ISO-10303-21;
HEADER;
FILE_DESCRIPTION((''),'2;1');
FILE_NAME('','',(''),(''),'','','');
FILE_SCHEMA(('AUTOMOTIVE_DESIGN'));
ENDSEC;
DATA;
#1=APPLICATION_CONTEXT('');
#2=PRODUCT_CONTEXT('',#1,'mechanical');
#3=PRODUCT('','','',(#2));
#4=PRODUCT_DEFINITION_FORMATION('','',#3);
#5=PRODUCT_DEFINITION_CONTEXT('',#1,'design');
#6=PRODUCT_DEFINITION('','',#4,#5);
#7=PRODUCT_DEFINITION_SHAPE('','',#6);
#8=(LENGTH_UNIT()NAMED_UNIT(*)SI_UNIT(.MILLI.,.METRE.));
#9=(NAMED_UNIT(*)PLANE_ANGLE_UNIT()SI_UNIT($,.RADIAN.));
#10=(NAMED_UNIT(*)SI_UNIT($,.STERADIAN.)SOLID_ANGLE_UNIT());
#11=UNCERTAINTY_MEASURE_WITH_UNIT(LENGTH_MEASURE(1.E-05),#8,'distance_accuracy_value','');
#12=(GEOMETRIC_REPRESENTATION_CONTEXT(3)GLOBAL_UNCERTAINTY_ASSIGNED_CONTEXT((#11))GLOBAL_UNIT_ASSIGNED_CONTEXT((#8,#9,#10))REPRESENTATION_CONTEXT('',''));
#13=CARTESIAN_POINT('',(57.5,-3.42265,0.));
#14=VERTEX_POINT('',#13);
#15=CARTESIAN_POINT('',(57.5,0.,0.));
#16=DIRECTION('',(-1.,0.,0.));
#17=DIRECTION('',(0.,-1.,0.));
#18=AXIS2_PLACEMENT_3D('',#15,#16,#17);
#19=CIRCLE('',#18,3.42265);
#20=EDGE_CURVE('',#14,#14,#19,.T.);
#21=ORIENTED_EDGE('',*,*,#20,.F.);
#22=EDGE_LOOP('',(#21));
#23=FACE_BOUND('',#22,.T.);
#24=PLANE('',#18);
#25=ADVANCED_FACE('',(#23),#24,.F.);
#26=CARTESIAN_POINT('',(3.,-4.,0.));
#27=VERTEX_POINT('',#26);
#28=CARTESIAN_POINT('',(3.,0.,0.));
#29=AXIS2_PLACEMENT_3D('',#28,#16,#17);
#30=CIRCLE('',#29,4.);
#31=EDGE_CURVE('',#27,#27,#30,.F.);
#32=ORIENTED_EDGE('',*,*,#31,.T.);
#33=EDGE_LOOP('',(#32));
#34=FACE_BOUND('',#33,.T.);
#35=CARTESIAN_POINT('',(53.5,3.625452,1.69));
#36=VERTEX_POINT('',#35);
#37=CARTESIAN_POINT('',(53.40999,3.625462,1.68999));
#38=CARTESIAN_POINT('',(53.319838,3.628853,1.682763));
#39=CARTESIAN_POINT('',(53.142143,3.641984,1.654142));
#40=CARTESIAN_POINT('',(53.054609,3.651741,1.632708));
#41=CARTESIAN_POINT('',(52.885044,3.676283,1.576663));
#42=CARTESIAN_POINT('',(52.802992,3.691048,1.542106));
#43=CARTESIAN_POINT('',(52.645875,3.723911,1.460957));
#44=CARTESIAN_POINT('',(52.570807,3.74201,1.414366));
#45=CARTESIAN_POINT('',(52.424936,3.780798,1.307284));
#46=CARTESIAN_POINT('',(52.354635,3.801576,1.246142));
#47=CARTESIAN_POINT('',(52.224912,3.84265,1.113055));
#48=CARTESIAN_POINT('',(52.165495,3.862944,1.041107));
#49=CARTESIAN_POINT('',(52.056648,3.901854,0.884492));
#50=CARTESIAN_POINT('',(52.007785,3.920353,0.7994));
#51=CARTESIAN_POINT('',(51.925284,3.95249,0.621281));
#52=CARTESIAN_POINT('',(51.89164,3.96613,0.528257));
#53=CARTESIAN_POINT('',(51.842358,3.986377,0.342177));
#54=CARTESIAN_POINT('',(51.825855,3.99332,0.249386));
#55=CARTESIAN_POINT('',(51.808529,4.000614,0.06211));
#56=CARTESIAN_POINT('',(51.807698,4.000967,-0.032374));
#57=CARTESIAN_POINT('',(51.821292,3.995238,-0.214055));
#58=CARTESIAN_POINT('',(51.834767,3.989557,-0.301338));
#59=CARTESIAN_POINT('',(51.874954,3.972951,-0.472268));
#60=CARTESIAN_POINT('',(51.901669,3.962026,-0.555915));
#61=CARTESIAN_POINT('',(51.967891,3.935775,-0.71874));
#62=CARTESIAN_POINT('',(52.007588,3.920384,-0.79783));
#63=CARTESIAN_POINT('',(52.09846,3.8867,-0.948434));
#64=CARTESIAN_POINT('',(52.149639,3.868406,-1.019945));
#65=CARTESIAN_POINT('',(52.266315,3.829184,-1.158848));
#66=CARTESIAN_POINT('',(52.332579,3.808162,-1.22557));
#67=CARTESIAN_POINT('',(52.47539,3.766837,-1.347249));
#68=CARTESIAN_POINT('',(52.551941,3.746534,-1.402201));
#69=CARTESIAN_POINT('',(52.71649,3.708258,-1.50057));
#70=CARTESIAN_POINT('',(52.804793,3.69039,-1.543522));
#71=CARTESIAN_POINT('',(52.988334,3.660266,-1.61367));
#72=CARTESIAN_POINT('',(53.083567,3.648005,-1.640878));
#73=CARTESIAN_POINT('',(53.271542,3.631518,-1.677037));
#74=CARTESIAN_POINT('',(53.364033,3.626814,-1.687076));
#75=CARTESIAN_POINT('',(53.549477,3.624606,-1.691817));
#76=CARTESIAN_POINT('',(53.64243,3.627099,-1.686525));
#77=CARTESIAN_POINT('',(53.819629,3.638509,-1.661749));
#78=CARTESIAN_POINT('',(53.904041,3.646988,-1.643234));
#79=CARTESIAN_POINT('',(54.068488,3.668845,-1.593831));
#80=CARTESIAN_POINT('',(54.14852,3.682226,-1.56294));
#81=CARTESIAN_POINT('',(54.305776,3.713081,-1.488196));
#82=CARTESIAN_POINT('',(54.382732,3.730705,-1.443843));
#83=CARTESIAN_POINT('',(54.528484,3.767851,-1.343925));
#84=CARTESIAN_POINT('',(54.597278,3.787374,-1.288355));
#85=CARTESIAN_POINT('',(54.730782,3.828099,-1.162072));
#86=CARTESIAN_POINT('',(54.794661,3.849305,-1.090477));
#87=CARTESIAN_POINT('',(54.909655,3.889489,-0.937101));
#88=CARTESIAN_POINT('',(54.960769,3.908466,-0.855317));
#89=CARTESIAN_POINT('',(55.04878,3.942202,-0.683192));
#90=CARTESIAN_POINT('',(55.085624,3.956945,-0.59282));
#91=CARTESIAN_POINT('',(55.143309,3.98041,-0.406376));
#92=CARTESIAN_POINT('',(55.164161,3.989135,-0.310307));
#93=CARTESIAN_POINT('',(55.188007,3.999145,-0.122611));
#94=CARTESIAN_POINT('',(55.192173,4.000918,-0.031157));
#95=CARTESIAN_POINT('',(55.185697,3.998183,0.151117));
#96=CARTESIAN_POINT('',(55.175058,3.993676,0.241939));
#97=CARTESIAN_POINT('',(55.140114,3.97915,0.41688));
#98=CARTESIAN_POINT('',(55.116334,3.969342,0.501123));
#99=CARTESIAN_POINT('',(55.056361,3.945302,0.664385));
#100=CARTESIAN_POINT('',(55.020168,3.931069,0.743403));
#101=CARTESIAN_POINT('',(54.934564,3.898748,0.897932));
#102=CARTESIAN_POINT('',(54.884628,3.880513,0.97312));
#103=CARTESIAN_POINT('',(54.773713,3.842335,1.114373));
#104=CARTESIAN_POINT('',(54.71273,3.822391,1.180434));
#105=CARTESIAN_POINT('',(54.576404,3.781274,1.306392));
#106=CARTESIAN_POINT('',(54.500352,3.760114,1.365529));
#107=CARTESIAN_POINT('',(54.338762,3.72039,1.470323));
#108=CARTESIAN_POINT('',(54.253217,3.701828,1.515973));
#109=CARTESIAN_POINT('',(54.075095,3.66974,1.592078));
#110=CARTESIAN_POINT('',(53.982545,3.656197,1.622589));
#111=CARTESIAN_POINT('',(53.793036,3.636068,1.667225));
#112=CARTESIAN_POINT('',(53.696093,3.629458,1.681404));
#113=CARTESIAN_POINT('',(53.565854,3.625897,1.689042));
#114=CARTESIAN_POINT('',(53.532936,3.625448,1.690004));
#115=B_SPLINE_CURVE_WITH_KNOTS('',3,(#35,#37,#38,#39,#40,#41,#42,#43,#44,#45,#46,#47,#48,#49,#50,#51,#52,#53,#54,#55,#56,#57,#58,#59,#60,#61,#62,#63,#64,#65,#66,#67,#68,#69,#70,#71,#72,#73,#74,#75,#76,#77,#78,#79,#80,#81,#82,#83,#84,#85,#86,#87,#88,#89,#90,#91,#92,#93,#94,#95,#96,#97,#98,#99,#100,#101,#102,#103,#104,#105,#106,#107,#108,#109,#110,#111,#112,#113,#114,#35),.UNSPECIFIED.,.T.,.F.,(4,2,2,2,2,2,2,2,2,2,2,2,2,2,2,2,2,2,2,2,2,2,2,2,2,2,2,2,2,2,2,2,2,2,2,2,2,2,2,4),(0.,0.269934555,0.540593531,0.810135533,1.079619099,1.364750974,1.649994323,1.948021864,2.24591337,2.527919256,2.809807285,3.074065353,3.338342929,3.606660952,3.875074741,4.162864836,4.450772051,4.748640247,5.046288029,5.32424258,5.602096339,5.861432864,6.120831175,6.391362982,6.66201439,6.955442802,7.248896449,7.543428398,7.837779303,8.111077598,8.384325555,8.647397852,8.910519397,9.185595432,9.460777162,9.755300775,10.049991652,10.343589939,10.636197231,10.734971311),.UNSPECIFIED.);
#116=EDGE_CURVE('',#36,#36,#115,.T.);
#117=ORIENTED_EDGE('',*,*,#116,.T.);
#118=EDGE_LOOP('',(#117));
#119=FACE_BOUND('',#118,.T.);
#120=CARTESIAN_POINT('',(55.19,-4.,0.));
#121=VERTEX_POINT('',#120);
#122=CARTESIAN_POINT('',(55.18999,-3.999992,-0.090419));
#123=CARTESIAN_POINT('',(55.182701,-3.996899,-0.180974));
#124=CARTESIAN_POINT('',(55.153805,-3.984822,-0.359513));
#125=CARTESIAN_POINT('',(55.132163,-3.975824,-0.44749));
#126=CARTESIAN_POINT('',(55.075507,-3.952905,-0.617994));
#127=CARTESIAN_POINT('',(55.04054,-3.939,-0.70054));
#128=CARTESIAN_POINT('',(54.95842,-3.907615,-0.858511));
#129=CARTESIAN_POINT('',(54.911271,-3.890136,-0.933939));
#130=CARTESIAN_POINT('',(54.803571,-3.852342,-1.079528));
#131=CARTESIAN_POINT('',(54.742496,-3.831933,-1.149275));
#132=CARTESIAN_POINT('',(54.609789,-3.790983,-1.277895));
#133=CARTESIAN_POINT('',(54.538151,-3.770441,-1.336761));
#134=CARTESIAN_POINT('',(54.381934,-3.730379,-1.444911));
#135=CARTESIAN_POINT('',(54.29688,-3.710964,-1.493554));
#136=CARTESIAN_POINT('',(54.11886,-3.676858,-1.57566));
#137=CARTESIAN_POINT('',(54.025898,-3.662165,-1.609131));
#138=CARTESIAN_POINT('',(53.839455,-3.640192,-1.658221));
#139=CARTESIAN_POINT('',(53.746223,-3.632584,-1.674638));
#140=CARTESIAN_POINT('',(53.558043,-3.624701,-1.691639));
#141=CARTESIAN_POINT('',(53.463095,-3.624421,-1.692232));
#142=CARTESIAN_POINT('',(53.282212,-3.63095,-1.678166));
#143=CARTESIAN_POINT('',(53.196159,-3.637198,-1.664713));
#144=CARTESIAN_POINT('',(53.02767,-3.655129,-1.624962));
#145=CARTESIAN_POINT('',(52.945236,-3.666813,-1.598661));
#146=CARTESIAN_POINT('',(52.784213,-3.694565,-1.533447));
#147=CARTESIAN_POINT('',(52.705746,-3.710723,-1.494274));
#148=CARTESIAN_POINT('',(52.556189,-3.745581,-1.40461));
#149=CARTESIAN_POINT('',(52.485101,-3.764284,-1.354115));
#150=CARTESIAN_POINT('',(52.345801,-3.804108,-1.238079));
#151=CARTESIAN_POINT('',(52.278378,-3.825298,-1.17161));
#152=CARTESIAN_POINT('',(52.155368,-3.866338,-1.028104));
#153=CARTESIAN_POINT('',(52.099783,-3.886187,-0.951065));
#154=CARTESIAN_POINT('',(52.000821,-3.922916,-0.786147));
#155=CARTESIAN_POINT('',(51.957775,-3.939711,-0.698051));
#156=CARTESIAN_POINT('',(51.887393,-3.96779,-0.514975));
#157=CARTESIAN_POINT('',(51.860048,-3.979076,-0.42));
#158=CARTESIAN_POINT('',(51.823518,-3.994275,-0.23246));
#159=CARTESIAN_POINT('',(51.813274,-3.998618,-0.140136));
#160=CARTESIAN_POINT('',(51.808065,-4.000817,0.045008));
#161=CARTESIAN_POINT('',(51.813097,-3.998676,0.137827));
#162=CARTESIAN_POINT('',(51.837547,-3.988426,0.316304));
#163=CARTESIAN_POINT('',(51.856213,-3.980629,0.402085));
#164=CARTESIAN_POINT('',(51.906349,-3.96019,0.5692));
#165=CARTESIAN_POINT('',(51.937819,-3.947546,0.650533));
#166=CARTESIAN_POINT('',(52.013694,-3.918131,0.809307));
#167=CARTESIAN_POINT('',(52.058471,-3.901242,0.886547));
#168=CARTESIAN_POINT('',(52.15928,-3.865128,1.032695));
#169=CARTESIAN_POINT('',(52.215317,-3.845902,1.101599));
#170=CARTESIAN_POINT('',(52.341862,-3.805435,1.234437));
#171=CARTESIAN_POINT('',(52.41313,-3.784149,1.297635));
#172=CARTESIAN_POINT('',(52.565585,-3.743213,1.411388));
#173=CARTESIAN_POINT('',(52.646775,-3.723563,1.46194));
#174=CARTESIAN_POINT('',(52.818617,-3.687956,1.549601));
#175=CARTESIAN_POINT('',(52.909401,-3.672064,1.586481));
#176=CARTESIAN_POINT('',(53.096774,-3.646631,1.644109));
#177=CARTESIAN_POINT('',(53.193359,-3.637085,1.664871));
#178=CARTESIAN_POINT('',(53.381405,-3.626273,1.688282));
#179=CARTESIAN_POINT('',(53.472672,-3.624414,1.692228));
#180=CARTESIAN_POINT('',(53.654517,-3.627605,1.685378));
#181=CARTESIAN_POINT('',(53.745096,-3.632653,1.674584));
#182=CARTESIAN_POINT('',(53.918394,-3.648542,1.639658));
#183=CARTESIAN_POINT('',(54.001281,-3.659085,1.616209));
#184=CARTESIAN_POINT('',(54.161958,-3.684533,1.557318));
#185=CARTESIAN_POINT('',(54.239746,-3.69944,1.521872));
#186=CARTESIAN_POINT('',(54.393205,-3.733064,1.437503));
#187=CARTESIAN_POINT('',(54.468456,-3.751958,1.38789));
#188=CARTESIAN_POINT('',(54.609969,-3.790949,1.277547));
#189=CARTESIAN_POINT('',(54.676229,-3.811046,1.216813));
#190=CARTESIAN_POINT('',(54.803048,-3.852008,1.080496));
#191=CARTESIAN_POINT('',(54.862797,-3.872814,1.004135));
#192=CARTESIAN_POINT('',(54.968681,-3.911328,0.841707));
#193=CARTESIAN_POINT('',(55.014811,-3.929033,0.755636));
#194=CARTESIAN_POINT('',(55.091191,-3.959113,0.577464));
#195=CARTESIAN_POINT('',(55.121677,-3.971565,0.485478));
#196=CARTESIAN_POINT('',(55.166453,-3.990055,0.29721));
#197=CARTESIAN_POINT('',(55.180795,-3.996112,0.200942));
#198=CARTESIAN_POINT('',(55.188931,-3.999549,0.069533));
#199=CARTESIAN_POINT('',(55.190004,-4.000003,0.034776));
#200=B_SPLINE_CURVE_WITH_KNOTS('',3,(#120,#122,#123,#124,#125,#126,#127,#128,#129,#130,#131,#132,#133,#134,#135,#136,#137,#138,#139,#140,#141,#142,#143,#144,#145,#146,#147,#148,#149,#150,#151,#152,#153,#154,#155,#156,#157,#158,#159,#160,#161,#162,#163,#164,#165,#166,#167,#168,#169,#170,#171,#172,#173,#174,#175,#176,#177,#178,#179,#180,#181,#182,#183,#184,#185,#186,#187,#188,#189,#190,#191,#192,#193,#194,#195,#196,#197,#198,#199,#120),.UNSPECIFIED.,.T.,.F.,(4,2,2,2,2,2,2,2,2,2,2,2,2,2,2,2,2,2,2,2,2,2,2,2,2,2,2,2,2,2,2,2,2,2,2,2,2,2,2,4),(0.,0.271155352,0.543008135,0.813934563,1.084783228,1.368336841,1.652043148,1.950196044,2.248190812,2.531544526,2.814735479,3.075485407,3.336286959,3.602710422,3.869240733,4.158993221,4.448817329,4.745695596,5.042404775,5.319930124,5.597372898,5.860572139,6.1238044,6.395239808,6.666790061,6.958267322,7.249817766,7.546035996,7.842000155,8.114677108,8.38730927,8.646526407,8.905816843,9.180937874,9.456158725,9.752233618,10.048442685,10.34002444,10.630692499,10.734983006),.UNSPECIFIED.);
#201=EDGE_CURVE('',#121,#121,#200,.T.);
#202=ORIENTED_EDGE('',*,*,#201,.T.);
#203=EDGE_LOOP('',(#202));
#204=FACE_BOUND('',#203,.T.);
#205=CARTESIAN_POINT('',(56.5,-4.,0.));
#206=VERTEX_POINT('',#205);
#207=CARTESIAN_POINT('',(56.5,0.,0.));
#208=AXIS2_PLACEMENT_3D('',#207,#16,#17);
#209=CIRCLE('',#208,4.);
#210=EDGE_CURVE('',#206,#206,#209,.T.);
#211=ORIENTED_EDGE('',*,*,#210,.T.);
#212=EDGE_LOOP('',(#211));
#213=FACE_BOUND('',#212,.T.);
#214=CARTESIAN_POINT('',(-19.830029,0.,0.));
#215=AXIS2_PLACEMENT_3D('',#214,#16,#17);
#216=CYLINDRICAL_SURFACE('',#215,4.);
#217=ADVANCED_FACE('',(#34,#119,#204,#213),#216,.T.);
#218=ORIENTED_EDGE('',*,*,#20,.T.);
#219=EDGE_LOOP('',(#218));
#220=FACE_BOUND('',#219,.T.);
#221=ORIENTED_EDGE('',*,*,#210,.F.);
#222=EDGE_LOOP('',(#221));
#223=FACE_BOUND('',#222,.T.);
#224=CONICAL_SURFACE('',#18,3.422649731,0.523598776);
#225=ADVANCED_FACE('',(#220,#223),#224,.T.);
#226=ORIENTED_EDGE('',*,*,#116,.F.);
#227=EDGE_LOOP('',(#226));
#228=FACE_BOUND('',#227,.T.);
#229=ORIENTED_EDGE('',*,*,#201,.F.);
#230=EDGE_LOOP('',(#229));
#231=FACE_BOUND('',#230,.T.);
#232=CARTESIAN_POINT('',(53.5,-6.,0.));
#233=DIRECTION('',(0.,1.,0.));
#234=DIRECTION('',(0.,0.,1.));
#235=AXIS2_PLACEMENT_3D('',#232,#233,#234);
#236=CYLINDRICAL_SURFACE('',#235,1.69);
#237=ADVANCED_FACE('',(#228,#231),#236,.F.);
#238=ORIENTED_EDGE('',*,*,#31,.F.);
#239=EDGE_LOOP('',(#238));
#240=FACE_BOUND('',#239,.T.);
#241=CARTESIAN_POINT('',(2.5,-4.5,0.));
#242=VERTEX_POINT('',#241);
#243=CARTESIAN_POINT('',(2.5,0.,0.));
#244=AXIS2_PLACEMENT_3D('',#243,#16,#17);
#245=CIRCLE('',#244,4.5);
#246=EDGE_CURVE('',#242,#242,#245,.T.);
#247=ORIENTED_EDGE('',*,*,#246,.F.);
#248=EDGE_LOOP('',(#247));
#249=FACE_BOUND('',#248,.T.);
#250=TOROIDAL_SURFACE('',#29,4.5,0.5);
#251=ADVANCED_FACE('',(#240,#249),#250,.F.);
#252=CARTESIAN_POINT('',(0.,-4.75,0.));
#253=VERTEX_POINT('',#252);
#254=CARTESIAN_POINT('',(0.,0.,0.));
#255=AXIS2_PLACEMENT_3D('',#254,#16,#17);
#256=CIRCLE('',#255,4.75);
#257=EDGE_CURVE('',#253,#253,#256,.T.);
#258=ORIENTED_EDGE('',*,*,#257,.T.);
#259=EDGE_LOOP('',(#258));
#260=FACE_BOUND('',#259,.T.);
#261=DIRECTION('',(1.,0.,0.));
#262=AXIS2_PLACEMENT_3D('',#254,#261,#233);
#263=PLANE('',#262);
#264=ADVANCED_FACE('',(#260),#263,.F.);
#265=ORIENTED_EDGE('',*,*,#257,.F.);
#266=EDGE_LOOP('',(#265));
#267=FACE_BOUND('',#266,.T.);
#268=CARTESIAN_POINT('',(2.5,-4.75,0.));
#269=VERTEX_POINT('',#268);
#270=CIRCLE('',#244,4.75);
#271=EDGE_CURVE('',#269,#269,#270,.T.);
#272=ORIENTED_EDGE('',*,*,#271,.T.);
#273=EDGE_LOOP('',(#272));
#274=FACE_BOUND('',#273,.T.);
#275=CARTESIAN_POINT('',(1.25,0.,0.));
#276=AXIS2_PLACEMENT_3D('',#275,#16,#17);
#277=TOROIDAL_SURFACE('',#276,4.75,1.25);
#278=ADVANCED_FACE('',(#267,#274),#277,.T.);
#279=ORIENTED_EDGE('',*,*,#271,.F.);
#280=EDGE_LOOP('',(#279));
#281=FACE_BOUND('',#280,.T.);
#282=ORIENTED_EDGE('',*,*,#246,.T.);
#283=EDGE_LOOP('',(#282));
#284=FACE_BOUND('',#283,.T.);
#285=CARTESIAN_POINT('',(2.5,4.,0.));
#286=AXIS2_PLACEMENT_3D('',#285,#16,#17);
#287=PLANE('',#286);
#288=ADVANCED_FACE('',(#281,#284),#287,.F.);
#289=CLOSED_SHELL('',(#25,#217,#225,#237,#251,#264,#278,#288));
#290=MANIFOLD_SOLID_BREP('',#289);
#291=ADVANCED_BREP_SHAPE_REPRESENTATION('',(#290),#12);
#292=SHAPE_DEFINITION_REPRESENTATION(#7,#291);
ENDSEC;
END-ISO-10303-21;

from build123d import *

# Parameters (mm, degrees)
CHAMFER1_R      = 0.5
HOLE_DEPTH      = 59.122715029
HOLE_DEPTH_BACK = 59.122715029
SKETCH2_R       = 1.69


with BuildPart() as part:
    # Sketch1 → BaseBody (revolve)
    with BuildSketch(Plane.XY, mode=Mode.PRIVATE) as basebody_sk:
        with BuildLine():
            Line((57.5, 0), (0, 0))
            Line((0, 0), (0, 4.75))
            ThreePointArc((0, 4.75), (1.25, 6), (2.5, 4.75))
            Line((2.5, 4.75), (2.5, 4))
            Line((2.5, 4), (56.5, 4))
            Line((56.5, 4), (57.5, 3.422649731))
            Line((57.5, 3.422649731), (57.5, 0))
        make_face()
    revolve(basebody_sk.sketch.rotate(Axis((-19.830028721, 0, 0), (1, 0, 0)), 180), axis=Axis((-19.830028721, 0, 0), (1, 0, 0)))

    # Chamfer1
    chamfer1_edges = [part.edges().sort_by_distance(p)[0] for p in [
        (2.5, 4, 0),
    ]]
    fillet(chamfer1_edges, radius=CHAMFER1_R)

    # Sketch2 → Hole (cut, two sides: drawn at the far end of the back side and taken through both)
    with BuildSketch(Plane(origin=(0, 0, 0), x_dir=(1, 0, 0), z_dir=(0, 1, 0)).offset(-HOLE_DEPTH_BACK)):
        with Locations(Location((53.5, 0, 0), (0, 0, 270))):
            Circle(SKETCH2_R)
    extrude(amount=HOLE_DEPTH + HOLE_DEPTH_BACK, mode=Mode.SUBTRACT)


solid = part.part
